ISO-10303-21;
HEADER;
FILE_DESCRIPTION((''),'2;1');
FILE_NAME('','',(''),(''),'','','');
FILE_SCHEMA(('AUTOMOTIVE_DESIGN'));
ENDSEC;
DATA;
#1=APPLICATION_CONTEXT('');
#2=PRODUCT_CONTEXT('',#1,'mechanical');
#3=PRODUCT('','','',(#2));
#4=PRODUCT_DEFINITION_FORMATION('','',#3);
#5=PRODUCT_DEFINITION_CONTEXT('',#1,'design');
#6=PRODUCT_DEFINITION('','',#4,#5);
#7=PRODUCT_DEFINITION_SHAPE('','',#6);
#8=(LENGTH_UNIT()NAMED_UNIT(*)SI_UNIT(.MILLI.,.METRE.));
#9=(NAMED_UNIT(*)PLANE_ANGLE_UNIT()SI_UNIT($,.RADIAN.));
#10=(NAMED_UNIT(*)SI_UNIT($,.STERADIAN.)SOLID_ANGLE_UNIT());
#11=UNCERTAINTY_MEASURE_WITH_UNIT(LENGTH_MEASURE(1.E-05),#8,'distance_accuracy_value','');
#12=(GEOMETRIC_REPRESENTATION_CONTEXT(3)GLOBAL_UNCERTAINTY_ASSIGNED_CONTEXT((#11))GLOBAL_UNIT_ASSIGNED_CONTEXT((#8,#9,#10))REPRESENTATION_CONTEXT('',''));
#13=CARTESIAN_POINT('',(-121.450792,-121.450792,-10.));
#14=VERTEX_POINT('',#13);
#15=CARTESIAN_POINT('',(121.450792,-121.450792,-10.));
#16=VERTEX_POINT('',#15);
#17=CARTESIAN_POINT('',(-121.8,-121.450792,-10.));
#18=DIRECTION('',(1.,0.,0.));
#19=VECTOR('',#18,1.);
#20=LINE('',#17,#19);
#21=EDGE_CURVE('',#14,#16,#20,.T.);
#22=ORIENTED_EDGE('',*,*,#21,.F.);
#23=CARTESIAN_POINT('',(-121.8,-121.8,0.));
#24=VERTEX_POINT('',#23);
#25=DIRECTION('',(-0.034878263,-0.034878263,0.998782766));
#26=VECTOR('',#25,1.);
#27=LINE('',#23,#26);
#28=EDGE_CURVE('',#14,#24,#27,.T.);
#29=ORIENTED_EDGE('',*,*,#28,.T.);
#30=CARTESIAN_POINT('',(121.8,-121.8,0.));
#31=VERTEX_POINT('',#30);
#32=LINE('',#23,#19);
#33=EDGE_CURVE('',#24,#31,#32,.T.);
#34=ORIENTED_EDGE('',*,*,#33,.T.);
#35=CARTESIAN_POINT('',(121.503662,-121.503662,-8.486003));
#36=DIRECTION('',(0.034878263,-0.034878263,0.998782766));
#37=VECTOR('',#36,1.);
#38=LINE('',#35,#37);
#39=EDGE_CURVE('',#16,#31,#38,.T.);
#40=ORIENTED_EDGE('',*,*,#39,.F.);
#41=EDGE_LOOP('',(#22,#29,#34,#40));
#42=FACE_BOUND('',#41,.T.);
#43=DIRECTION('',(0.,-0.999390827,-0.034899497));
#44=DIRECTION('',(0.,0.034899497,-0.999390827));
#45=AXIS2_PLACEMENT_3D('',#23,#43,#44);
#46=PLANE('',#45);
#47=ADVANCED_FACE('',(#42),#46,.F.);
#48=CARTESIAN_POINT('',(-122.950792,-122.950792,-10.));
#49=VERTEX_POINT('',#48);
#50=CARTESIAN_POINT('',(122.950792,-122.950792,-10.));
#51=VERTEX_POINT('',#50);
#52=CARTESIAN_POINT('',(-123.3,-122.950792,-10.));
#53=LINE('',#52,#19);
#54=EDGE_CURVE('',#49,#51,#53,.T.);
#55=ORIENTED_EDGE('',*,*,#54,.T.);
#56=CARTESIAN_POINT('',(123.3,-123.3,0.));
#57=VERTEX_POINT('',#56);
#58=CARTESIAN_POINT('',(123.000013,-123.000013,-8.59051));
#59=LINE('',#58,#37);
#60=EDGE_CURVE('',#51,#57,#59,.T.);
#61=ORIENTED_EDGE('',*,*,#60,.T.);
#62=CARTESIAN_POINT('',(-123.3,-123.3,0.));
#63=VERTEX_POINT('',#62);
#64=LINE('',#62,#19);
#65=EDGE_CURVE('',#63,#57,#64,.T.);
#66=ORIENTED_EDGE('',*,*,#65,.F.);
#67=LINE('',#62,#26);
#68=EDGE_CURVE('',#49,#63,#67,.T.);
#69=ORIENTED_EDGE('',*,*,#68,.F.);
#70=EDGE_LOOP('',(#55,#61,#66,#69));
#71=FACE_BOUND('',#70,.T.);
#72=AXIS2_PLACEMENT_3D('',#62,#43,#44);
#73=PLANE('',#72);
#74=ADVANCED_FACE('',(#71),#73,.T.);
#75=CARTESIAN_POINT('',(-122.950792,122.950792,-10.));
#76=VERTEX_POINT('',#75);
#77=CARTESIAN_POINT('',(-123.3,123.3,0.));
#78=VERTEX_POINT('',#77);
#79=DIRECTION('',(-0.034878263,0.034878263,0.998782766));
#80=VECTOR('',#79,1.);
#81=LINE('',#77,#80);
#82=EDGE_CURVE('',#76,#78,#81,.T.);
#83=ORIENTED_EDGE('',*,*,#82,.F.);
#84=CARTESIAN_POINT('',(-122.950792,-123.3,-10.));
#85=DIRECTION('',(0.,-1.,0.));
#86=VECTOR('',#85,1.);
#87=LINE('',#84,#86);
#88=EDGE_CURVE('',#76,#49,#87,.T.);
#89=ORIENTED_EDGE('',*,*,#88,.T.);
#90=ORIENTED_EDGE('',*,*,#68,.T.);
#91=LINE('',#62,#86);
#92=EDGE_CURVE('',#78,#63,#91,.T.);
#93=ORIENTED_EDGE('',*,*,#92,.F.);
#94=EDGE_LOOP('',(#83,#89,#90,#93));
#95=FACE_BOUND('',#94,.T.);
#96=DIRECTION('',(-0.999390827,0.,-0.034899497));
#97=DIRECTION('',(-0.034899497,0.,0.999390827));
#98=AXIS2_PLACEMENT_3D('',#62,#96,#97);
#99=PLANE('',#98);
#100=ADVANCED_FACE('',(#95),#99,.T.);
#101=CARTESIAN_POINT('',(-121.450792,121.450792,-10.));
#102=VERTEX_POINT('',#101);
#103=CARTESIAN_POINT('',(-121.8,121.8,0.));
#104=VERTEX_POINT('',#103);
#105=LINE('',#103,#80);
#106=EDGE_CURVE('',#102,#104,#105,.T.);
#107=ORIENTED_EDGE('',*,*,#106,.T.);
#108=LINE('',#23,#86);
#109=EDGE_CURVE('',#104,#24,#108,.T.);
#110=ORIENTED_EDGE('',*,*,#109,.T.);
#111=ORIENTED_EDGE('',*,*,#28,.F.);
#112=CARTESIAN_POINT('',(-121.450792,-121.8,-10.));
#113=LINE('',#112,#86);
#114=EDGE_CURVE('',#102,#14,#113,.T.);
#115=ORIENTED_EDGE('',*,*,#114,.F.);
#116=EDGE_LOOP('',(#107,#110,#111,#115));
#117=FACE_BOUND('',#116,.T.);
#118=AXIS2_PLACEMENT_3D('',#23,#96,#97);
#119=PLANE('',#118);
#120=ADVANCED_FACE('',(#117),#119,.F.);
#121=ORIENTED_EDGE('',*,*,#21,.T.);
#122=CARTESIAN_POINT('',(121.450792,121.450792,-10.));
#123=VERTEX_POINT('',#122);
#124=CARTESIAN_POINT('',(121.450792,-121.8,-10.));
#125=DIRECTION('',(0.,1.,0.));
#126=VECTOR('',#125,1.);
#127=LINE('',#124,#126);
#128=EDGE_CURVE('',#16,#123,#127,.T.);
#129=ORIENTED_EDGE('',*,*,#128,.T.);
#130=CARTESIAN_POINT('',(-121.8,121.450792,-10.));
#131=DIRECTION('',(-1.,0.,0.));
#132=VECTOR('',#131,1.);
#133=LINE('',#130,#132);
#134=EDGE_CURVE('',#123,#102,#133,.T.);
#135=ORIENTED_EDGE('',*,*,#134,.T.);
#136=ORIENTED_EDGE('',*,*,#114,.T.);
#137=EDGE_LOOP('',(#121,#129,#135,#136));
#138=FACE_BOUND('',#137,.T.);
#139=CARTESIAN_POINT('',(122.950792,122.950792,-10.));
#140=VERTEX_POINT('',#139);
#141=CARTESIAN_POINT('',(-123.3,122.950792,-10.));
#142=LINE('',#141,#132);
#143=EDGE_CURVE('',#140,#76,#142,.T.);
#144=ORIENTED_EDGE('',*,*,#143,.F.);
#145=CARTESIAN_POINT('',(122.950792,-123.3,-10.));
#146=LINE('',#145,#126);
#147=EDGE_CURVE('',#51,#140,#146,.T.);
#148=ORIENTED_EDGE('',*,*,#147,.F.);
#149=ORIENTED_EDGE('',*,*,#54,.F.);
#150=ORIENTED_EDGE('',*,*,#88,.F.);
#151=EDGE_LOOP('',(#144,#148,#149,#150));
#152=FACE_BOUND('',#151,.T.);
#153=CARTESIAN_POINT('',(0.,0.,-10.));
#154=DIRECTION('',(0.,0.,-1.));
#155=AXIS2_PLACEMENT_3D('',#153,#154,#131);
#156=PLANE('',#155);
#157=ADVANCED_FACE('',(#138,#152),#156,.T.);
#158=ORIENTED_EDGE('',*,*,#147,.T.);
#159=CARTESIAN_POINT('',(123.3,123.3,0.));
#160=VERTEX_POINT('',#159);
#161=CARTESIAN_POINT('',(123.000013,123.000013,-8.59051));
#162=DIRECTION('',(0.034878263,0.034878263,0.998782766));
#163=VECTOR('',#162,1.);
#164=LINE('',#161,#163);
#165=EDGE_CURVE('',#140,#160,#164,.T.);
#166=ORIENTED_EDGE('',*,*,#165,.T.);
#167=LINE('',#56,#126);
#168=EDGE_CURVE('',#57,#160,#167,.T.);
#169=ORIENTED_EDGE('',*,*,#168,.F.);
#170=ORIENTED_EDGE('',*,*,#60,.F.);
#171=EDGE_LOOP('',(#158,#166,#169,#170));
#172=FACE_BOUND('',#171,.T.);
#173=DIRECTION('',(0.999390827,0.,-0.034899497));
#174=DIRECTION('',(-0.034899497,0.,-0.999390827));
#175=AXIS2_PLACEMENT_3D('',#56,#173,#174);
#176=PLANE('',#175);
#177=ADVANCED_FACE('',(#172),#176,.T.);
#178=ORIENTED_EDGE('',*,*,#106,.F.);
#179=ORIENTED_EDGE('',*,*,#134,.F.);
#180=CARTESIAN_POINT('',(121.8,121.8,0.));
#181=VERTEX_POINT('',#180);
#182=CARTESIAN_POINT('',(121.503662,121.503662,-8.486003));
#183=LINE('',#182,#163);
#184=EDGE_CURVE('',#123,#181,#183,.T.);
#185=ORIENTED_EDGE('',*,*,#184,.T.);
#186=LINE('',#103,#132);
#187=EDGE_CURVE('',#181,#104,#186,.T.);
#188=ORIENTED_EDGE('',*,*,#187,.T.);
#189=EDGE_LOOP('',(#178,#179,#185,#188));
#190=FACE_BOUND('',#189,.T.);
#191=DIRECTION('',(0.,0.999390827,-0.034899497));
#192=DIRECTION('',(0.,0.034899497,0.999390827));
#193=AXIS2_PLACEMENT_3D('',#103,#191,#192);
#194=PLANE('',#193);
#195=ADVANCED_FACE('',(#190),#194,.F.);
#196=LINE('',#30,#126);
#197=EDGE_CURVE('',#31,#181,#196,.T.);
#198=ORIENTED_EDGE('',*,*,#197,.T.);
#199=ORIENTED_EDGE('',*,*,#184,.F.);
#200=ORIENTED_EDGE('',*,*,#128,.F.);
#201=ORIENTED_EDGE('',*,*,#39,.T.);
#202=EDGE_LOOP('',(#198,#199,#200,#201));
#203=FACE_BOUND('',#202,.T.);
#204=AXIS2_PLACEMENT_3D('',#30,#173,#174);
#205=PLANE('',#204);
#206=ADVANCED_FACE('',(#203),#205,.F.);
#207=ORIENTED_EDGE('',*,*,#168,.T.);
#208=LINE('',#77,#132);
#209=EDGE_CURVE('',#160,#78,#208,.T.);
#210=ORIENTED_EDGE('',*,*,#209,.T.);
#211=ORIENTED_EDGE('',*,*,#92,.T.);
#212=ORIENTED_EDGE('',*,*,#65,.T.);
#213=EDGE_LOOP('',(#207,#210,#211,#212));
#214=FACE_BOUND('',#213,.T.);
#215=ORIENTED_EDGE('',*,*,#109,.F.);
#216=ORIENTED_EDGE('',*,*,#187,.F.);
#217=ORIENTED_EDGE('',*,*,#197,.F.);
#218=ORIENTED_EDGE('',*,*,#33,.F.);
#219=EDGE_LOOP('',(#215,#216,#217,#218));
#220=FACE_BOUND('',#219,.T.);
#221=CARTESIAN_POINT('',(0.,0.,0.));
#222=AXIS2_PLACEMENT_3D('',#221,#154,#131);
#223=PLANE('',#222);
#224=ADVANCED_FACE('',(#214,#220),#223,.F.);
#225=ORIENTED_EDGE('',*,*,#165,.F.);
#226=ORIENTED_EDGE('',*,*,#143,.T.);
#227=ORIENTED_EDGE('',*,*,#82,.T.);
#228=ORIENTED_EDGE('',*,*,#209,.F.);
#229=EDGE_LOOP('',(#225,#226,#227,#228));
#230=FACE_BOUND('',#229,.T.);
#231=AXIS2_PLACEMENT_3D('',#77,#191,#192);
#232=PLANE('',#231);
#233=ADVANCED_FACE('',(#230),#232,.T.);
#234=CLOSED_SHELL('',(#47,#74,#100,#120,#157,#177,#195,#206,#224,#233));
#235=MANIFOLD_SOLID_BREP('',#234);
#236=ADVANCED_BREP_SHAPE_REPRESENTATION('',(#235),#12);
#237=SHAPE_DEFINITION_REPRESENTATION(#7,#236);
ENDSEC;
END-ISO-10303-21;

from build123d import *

# Parameters (mm, degrees)
SKETCH2_W                    = 246.6
SKETCH2_H                    = 246.6
BOSS_EXTRUDE1_DEPTH          = 10
BOSS_EXTRUDE1_DRAFT          = -2
SKETCH3_W                    = 243.6
SKETCH3_H                    = 243.6
CUT_EXTRUDE1_DEPTH           = 175.659039274
CUT_EXTRUDE1_TAPER           = 2
CUT_EXTRUDE1_OTHER_WAY_DEPTH = 175.659039274


with BuildPart() as part:
    # Sketch2 → Boss-Extrude1 (with draft: the straight prism first)
    with BuildSketch(Plane.XY):
        Rectangle(SKETCH2_W, SKETCH2_H)
    extrude(amount=-BOSS_EXTRUDE1_DEPTH)
    # Boss-Extrude1: the draft: its side faces are tilted about the plane it starts from
    boss_extrude1_sides = [part.faces().sort_by_distance(p)[0] for p in [
        (0, -123.3, -5),
        (123.3, 0, -5),
        (0, 123.3, -5),
        (-123.3, 0, -5),
    ]]
    draft(boss_extrude1_sides, Plane.XY, BOSS_EXTRUDE1_DRAFT)

    # Sketch3 → Cut-Extrude1 (cut)
    with BuildSketch(Plane.XY):
        Rectangle(SKETCH3_W, SKETCH3_H)
    extrude(amount=-CUT_EXTRUDE1_DEPTH, taper=CUT_EXTRUDE1_TAPER, mode=Mode.SUBTRACT)

    # Sketch3 → Cut-Extrude1 other way (cut)
    with BuildSketch(Plane.XY):
        Rectangle(SKETCH3_W, SKETCH3_H)
    extrude(amount=CUT_EXTRUDE1_OTHER_WAY_DEPTH, mode=Mode.SUBTRACT)


solid = part.part
